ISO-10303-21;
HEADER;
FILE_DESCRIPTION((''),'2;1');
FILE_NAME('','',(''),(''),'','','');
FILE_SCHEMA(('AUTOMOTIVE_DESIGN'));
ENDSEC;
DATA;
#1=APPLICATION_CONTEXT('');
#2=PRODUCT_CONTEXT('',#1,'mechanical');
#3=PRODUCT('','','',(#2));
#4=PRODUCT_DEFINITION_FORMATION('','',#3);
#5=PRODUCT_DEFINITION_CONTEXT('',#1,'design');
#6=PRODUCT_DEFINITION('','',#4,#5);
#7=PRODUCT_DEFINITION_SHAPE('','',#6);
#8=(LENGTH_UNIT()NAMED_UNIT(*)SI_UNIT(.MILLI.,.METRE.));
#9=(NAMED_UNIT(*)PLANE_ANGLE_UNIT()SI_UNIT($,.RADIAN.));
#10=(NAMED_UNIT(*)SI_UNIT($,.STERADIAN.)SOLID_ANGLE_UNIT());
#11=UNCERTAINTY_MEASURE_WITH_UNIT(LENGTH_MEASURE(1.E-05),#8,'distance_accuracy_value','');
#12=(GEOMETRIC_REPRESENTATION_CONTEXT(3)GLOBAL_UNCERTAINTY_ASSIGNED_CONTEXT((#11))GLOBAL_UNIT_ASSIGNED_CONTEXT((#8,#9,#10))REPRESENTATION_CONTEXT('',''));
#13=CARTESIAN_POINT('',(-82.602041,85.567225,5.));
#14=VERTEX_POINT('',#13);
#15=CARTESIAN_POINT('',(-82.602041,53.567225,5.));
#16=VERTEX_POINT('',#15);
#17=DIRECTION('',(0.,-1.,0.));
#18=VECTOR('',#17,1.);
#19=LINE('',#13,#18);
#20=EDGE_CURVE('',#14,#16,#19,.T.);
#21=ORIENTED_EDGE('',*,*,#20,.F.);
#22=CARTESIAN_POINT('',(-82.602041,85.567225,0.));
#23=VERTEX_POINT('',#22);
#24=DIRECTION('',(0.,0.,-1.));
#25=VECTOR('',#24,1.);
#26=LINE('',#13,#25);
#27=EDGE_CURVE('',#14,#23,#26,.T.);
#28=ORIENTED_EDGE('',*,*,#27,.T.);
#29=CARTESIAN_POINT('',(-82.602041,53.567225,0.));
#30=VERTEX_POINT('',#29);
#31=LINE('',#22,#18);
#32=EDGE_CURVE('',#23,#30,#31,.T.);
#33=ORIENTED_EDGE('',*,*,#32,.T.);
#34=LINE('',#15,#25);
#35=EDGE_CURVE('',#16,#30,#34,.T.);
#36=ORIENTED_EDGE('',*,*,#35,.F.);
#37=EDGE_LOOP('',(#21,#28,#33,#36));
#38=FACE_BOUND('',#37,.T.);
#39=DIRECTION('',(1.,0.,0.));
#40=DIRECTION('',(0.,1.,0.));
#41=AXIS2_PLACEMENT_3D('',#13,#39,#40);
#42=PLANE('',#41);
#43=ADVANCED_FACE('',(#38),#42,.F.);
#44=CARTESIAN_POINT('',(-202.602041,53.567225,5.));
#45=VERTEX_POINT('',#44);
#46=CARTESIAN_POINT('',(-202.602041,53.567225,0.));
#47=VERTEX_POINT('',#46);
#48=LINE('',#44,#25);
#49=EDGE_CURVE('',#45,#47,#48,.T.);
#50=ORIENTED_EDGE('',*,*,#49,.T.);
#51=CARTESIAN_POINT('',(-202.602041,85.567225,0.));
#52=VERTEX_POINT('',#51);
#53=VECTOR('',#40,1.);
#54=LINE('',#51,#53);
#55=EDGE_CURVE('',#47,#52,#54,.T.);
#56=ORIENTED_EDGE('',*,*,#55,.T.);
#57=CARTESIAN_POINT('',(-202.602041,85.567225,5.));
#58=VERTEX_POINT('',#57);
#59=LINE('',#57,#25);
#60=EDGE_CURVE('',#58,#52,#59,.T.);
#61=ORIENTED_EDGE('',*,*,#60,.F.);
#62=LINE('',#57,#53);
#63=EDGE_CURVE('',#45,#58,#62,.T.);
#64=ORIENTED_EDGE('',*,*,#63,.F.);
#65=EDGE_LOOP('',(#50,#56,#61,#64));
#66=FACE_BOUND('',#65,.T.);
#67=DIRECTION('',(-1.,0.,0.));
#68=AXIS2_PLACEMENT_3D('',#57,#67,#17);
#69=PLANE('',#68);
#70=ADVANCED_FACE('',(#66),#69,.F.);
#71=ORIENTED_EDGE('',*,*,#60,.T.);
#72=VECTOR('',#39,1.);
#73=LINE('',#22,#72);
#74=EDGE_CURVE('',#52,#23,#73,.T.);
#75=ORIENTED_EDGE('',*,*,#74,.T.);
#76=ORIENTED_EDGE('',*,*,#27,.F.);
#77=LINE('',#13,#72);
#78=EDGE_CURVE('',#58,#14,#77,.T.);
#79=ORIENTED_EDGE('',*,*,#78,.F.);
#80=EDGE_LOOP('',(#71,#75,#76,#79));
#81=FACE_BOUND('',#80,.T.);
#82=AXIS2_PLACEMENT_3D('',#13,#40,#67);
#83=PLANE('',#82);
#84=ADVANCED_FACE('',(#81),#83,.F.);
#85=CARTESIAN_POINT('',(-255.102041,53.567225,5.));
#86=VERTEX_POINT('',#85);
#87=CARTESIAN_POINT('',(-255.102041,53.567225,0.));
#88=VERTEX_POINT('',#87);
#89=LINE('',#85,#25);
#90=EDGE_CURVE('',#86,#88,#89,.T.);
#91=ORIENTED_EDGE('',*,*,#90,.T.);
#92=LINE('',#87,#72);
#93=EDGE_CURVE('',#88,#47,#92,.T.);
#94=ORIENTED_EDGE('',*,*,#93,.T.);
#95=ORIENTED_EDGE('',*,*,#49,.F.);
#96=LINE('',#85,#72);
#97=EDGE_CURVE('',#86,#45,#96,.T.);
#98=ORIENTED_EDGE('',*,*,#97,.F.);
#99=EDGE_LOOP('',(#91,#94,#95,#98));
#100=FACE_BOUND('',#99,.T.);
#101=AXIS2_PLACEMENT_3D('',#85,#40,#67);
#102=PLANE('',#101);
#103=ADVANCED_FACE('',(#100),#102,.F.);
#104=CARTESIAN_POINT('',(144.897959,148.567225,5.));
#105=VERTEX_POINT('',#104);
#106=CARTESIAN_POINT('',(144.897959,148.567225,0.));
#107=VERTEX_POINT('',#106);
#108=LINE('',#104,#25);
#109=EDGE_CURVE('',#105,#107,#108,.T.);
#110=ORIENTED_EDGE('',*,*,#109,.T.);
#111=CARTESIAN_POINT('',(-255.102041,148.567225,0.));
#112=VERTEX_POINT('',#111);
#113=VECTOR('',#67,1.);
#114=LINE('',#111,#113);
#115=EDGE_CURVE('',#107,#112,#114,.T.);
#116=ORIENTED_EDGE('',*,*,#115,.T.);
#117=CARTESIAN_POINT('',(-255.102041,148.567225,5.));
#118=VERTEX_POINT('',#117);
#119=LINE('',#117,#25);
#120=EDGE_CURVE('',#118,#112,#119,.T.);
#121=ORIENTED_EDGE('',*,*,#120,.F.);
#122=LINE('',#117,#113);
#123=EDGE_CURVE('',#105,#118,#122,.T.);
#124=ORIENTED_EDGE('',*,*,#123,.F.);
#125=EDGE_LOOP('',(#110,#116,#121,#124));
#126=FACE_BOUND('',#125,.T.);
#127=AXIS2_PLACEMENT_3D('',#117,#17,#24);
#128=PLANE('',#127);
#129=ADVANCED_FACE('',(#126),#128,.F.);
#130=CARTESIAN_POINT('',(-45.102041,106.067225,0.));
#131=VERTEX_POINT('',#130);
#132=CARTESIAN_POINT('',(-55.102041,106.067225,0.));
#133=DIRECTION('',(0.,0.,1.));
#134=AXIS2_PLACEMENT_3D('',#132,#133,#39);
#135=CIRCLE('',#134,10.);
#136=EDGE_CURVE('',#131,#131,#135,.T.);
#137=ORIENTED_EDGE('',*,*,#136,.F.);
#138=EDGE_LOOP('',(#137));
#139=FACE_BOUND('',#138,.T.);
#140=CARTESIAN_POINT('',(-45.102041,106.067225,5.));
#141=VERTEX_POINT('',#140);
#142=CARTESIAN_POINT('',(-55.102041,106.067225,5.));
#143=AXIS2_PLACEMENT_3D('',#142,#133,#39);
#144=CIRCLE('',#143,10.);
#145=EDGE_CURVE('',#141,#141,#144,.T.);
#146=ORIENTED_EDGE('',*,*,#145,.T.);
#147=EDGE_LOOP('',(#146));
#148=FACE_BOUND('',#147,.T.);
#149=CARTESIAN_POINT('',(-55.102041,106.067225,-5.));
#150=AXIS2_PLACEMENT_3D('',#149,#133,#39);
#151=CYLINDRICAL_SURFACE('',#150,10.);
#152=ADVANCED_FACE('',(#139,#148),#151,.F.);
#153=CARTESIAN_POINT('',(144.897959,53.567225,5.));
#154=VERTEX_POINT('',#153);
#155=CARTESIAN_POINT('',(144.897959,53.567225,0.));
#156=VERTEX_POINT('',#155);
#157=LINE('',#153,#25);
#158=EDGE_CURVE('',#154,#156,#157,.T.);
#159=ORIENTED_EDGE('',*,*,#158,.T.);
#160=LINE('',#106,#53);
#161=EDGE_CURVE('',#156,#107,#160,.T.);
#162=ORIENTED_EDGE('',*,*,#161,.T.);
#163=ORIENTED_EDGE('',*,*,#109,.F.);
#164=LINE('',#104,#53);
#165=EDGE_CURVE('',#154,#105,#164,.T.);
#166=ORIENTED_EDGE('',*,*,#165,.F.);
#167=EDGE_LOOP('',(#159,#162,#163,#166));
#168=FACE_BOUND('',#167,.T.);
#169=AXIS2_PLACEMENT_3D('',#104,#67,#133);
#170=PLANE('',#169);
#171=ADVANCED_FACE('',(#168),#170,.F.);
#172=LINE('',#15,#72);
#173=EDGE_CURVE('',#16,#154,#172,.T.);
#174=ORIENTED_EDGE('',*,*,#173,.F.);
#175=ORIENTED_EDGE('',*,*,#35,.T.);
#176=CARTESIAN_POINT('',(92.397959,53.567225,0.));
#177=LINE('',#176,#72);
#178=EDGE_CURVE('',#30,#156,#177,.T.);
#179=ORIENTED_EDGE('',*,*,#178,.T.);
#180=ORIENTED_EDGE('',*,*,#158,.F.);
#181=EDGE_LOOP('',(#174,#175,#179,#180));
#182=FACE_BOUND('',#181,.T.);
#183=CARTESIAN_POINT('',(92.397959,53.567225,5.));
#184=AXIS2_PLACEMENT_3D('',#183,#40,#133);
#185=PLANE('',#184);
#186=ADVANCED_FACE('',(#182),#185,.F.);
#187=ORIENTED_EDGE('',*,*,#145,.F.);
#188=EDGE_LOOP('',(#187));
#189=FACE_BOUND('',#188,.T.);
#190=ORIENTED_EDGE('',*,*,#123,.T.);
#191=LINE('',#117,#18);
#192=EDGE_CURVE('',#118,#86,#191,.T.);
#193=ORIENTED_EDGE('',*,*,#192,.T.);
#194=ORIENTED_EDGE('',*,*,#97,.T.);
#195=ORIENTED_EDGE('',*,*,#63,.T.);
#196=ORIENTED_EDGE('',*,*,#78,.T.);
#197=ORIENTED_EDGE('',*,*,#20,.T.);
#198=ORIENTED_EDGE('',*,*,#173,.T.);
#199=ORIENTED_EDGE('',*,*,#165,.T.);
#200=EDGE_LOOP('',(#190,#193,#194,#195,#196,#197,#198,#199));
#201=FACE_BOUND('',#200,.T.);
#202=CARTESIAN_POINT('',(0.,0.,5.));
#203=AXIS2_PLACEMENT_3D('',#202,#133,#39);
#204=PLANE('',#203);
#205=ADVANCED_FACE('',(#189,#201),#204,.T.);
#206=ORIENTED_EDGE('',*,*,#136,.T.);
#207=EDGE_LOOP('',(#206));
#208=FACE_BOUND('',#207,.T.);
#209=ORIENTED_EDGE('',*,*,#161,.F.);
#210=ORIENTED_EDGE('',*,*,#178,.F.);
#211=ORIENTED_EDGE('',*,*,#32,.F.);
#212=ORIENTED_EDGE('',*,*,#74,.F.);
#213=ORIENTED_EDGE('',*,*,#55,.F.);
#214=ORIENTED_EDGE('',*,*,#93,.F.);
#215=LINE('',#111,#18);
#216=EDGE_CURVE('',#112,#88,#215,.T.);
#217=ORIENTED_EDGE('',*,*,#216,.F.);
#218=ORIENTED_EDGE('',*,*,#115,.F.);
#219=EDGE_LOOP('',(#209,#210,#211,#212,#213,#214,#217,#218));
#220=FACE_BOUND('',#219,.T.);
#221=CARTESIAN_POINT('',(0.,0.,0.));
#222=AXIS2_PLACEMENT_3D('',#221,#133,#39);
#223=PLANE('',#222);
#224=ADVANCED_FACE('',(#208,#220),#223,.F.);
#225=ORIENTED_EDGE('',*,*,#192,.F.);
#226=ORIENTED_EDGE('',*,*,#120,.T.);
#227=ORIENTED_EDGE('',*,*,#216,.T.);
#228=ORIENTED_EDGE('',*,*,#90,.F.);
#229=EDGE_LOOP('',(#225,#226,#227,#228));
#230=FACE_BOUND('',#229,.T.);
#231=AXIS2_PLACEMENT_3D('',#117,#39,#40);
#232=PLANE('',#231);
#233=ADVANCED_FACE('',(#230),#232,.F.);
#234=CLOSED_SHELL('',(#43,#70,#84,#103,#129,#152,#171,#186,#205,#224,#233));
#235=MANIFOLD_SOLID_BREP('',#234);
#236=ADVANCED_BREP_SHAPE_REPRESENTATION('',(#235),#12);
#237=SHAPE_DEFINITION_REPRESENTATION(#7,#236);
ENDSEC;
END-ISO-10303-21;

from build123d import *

# Parameters (mm, degrees)
EXTRUDE_1_DEPTH     = 5
SKETCH_2_R          = 10
CUT_EXTRUDE_1_DEPTH = 10


with BuildPart() as part:
    # 草图1 → 凸台-拉伸1 (new body)
    with BuildSketch(Plane.XY):
        Polygon((-255.102040816, 148.567224711), (144.897959184, 148.567224711), (144.897959184, 53.567224711), (92.397959184, 53.567224711), (-27.602040816, 53.567224711), (-82.602040816, 53.567224711), (-82.602040816, 85.567224711), (-202.602040816, 85.567224711), (-202.602040816, 53.567224711), (-255.102040816, 53.567224711), align=None)
    extrude(amount=EXTRUDE_1_DEPTH)

    # 草图2 → 切除-拉伸1 (cut)
    with BuildSketch(Plane.XY.offset(5)):
        with Locations((-55.102040816, 106.067224711)):
            Circle(SKETCH_2_R)
    extrude(amount=-CUT_EXTRUDE_1_DEPTH, mode=Mode.SUBTRACT)


solid = part.part
